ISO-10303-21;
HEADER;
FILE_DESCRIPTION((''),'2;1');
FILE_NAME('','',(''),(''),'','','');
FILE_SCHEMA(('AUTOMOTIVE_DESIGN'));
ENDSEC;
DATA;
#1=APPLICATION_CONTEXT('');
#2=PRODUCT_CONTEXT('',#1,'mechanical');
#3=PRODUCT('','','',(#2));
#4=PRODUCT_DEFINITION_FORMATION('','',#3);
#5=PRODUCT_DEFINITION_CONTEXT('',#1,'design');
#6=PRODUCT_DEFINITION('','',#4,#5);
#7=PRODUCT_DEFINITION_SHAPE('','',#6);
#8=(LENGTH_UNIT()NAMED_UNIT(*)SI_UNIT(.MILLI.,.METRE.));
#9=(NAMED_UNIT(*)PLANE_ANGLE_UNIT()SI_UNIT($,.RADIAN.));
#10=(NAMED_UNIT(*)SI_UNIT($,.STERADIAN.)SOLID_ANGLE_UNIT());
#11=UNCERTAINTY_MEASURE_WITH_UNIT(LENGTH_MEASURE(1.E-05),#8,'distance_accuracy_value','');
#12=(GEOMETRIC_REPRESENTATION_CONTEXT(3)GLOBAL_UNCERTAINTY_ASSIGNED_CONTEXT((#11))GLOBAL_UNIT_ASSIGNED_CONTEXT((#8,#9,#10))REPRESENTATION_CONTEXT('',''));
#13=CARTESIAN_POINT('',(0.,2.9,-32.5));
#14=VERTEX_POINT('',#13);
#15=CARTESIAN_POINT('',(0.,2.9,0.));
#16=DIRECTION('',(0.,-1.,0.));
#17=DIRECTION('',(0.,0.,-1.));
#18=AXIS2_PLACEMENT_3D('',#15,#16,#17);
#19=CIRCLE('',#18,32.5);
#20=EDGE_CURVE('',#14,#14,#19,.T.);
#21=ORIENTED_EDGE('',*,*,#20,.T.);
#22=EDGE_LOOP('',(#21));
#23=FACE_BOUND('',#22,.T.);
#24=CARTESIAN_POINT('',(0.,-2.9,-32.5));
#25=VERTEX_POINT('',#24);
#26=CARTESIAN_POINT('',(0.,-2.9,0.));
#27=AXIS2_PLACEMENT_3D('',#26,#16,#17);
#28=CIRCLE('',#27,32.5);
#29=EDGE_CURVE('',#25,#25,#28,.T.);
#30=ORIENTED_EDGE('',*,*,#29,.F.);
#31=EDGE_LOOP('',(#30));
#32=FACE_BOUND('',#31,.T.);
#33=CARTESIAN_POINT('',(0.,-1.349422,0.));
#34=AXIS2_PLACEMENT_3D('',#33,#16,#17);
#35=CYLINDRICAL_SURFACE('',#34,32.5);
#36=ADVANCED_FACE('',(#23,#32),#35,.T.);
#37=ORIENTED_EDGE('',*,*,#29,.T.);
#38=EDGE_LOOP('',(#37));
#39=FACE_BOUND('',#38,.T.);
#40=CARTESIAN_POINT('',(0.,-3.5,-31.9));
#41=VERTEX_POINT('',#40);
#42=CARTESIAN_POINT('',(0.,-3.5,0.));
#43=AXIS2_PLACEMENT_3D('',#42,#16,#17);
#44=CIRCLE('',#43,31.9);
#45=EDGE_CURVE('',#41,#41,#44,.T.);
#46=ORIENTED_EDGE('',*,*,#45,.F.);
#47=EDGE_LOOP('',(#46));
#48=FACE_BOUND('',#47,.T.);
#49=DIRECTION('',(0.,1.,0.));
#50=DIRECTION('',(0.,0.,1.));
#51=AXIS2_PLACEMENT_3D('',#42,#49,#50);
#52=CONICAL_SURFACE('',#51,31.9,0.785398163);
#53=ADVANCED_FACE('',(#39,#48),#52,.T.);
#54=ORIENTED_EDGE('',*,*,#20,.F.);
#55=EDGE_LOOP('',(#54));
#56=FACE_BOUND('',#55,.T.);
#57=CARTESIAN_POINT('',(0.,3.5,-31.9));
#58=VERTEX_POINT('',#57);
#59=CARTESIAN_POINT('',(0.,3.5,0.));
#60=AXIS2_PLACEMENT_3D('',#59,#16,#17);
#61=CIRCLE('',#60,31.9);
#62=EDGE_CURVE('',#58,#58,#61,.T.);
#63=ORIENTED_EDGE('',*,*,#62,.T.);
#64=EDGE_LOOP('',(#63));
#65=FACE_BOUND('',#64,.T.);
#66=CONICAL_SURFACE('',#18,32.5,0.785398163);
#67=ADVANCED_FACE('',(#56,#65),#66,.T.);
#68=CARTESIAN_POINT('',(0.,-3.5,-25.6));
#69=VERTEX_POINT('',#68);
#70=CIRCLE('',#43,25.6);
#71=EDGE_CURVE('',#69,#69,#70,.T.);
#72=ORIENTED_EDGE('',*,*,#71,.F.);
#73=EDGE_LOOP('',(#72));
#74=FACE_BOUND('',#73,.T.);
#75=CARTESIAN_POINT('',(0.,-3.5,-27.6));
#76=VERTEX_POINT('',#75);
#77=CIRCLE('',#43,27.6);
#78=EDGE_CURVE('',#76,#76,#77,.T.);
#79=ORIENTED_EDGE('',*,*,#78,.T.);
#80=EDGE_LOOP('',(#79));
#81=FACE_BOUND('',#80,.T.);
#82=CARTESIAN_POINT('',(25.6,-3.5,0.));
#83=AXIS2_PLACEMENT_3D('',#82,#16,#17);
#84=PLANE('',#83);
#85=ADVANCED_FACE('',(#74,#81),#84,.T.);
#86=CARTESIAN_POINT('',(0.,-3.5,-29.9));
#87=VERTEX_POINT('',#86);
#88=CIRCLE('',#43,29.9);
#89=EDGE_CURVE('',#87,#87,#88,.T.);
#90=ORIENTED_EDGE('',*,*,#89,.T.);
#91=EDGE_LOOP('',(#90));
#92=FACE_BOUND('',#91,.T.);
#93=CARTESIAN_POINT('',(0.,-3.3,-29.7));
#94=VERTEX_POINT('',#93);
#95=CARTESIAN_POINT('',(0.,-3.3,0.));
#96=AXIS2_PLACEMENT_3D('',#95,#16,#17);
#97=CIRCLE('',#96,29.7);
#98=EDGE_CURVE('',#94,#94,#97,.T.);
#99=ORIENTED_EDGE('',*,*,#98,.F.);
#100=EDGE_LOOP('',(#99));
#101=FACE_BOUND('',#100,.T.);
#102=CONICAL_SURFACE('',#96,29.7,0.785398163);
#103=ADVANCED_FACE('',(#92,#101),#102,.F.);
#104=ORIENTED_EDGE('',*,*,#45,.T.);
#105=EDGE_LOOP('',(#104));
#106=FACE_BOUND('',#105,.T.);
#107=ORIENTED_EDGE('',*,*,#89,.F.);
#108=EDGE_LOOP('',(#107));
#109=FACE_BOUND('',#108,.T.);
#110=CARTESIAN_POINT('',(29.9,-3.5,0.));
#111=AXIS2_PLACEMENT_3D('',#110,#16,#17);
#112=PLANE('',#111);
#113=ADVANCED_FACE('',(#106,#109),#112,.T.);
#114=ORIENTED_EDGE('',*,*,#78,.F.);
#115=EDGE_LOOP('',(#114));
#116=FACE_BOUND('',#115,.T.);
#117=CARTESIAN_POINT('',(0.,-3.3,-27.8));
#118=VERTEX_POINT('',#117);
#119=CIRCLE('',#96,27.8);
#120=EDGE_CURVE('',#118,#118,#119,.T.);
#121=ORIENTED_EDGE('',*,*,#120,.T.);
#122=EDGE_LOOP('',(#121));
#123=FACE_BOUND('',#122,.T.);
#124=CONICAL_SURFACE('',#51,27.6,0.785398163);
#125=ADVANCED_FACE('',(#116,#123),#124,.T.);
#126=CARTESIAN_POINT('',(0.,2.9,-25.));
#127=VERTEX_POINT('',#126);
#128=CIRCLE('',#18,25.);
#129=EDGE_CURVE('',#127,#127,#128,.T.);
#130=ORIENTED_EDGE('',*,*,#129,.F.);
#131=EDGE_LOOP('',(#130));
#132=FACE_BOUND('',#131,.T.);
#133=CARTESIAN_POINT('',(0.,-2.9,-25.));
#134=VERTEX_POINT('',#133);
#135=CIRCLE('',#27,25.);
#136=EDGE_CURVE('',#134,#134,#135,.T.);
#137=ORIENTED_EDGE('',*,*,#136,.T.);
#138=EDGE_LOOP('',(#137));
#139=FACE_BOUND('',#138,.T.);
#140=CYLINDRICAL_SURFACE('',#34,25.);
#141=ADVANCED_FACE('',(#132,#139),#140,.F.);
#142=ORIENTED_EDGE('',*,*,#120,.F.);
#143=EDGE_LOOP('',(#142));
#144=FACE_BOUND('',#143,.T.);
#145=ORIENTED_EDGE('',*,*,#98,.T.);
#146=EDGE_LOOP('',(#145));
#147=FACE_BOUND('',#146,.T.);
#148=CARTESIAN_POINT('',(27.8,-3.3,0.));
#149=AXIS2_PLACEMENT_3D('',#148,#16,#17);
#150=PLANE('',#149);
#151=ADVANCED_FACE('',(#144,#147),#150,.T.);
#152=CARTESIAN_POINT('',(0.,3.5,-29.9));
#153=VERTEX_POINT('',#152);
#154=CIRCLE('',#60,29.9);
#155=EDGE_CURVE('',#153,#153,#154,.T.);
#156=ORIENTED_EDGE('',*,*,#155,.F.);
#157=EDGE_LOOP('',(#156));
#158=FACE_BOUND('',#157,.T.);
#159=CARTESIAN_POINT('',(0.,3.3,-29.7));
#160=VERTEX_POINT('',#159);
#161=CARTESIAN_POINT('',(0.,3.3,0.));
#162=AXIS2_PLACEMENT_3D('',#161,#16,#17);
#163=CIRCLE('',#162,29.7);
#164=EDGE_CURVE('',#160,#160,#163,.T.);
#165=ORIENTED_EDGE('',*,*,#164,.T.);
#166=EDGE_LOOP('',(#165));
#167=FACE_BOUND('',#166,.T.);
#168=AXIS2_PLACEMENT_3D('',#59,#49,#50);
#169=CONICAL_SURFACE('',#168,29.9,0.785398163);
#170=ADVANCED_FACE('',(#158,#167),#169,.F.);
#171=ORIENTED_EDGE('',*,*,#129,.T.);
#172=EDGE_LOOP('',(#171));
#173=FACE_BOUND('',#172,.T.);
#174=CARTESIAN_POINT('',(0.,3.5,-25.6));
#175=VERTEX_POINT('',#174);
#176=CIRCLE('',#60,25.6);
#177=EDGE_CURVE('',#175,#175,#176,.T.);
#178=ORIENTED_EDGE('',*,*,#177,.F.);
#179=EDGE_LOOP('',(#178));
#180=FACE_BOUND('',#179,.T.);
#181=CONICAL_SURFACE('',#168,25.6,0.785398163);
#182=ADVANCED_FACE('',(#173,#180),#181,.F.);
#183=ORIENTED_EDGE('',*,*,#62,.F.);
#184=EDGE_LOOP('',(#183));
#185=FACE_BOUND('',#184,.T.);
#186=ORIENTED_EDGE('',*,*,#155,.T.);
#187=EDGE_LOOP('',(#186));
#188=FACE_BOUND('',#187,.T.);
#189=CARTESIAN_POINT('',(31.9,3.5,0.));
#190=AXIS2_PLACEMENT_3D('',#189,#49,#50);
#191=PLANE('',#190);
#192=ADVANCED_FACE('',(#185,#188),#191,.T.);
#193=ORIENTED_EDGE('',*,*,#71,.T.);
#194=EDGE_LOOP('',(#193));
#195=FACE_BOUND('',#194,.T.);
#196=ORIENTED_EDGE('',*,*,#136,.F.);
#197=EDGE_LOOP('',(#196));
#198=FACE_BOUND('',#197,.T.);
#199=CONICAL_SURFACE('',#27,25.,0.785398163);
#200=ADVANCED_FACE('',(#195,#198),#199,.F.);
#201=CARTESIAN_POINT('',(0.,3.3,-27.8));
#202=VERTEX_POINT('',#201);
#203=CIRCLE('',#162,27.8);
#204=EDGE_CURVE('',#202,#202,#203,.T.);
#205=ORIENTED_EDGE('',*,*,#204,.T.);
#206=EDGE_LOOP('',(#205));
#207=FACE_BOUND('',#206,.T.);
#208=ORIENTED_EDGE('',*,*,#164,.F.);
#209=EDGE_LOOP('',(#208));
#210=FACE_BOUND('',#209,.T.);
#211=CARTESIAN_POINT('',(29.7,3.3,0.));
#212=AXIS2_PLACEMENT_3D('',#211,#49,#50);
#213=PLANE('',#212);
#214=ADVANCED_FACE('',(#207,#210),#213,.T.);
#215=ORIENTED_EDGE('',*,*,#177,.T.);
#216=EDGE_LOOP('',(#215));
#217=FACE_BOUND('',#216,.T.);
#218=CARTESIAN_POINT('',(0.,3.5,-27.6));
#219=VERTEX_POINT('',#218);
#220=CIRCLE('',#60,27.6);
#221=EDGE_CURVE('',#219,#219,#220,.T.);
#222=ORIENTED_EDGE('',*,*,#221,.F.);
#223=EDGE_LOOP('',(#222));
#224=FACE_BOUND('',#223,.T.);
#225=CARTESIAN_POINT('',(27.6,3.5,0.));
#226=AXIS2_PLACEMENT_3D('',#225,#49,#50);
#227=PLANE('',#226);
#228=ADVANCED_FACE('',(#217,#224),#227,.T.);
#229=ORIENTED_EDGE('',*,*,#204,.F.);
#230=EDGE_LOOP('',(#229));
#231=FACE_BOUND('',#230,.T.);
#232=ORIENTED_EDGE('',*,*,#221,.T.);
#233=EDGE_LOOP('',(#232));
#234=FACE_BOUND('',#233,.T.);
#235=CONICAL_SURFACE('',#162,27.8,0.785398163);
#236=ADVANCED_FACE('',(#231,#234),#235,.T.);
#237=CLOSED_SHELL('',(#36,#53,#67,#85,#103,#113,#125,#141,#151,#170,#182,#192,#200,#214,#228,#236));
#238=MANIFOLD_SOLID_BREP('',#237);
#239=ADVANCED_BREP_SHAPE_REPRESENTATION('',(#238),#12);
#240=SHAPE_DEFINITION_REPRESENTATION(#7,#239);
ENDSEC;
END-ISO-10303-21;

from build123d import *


with BuildPart() as part:
    # Sketch1 → Revolve1 (revolve)
    with BuildSketch(Plane.XY):
        Polygon((25, 2.9), (25, -2.9), (25.6, -3.5), (27.6, -3.5), (27.8, -3.3), (29.7, -3.3), (29.9, -3.5), (31.9, -3.5), (32.5, -2.9), (32.5, 2.9), (31.9, 3.5), (29.9, 3.5), (29.7, 3.3), (27.8, 3.3), (27.6, 3.5), (25.6, 3.5), align=None)
    revolve(axis=Axis((0, -1.349421972, 0), (0, 1, 0)))


solid = part.part
